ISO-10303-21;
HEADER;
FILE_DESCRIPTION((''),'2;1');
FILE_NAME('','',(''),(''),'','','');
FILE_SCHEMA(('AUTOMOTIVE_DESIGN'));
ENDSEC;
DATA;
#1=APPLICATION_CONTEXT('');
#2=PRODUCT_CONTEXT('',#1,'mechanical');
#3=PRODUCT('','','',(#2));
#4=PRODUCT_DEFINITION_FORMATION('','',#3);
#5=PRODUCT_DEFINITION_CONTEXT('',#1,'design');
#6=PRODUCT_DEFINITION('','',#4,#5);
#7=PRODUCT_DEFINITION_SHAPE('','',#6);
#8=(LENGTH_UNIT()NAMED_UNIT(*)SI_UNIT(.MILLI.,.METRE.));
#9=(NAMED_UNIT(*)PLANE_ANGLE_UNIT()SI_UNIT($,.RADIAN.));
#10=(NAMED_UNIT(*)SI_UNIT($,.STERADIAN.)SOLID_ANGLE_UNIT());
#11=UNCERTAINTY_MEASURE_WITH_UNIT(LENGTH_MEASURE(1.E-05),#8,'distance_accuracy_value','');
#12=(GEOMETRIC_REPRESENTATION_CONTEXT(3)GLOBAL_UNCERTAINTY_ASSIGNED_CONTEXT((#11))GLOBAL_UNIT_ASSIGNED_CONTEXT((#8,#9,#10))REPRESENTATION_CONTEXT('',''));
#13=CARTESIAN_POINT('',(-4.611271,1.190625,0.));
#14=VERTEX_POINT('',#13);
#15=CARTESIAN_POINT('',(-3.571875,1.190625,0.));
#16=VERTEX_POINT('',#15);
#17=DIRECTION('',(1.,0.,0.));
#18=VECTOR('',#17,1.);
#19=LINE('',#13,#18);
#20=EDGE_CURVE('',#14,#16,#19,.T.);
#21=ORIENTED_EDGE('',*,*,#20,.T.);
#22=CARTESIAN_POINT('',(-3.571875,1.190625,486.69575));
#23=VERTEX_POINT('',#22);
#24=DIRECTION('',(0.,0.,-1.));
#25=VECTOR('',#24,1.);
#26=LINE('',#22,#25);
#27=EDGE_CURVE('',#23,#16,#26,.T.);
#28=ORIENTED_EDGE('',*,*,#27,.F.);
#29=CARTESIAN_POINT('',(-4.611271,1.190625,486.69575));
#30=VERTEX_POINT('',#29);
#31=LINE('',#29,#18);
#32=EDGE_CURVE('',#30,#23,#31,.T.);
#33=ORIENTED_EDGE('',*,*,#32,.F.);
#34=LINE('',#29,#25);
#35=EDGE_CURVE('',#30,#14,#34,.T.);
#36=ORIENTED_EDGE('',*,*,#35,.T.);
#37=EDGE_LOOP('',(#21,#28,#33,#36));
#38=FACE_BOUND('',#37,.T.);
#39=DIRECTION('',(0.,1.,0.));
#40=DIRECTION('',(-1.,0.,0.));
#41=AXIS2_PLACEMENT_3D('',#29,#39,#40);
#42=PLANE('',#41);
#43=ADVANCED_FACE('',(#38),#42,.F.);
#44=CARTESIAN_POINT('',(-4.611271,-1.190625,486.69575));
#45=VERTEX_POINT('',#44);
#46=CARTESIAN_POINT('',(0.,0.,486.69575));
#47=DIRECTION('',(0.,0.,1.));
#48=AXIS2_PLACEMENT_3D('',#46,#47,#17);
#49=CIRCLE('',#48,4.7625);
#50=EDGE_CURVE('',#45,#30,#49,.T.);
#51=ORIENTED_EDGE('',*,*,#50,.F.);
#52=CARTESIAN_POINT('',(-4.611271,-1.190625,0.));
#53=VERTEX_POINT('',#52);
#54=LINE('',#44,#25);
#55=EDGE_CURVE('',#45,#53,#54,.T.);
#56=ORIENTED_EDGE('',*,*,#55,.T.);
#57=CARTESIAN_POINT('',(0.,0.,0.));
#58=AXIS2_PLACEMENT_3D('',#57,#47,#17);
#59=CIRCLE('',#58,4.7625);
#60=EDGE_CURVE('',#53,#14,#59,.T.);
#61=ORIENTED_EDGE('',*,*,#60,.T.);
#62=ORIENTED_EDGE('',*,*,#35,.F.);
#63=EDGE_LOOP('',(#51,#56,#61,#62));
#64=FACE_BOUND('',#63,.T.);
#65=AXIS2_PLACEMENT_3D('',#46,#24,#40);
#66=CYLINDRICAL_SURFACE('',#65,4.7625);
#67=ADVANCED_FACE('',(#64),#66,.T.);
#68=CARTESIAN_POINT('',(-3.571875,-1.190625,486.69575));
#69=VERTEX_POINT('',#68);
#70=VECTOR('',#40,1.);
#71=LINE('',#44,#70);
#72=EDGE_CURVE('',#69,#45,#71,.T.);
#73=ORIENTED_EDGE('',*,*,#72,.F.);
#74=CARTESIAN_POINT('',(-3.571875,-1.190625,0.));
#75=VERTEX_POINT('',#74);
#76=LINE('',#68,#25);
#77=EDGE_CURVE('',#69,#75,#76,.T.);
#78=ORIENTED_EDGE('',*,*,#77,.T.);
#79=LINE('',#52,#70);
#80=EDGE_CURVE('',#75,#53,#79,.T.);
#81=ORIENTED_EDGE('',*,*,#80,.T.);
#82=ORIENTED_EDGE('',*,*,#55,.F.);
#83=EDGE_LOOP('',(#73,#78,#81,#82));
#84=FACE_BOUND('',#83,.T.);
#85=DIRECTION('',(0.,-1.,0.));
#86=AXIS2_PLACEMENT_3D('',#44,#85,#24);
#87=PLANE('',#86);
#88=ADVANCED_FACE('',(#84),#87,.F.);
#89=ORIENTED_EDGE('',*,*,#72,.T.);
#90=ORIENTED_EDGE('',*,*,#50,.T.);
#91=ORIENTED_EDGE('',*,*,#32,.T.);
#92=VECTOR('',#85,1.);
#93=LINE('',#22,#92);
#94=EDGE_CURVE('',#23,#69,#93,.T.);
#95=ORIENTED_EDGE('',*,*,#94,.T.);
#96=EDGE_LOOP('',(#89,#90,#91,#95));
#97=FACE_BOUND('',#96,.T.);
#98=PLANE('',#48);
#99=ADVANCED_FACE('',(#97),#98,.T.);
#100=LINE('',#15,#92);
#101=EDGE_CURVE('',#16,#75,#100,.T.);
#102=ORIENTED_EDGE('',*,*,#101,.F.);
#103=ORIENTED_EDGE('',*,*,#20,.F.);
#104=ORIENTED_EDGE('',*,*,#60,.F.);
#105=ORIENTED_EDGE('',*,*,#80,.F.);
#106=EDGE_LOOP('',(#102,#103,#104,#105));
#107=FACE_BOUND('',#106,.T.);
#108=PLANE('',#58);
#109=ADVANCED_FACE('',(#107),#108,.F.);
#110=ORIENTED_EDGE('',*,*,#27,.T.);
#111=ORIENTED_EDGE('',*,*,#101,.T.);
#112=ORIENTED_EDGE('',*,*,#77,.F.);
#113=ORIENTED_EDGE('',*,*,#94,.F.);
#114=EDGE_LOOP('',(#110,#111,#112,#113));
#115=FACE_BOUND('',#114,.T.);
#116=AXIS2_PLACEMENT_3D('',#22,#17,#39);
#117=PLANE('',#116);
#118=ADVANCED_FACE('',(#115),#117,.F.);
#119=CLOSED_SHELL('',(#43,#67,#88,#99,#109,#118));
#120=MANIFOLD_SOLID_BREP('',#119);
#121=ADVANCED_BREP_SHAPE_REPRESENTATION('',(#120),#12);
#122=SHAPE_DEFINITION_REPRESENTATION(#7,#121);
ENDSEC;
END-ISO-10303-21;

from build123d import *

# Parameters (mm, degrees)
BOSS_EXTRUDE1_DEPTH = 486.69575


with BuildPart() as part:
    # Sketch1 → Boss-Extrude1 (new body)
    with BuildSketch(Plane.XY):
        with BuildLine():
            Line((-4.611270797, 1.190625), (-3.571875, 1.190625))
            Line((-3.571875, 1.190625), (-3.571875, -1.190625))
            Line((-3.571875, -1.190625), (-4.611270797, -1.190625))
            ThreePointArc((-4.611270797, -1.190625), (4.7625, 0), (-4.611270797, 1.190625))
        make_face()
    extrude(amount=BOSS_EXTRUDE1_DEPTH)


solid = part.part
